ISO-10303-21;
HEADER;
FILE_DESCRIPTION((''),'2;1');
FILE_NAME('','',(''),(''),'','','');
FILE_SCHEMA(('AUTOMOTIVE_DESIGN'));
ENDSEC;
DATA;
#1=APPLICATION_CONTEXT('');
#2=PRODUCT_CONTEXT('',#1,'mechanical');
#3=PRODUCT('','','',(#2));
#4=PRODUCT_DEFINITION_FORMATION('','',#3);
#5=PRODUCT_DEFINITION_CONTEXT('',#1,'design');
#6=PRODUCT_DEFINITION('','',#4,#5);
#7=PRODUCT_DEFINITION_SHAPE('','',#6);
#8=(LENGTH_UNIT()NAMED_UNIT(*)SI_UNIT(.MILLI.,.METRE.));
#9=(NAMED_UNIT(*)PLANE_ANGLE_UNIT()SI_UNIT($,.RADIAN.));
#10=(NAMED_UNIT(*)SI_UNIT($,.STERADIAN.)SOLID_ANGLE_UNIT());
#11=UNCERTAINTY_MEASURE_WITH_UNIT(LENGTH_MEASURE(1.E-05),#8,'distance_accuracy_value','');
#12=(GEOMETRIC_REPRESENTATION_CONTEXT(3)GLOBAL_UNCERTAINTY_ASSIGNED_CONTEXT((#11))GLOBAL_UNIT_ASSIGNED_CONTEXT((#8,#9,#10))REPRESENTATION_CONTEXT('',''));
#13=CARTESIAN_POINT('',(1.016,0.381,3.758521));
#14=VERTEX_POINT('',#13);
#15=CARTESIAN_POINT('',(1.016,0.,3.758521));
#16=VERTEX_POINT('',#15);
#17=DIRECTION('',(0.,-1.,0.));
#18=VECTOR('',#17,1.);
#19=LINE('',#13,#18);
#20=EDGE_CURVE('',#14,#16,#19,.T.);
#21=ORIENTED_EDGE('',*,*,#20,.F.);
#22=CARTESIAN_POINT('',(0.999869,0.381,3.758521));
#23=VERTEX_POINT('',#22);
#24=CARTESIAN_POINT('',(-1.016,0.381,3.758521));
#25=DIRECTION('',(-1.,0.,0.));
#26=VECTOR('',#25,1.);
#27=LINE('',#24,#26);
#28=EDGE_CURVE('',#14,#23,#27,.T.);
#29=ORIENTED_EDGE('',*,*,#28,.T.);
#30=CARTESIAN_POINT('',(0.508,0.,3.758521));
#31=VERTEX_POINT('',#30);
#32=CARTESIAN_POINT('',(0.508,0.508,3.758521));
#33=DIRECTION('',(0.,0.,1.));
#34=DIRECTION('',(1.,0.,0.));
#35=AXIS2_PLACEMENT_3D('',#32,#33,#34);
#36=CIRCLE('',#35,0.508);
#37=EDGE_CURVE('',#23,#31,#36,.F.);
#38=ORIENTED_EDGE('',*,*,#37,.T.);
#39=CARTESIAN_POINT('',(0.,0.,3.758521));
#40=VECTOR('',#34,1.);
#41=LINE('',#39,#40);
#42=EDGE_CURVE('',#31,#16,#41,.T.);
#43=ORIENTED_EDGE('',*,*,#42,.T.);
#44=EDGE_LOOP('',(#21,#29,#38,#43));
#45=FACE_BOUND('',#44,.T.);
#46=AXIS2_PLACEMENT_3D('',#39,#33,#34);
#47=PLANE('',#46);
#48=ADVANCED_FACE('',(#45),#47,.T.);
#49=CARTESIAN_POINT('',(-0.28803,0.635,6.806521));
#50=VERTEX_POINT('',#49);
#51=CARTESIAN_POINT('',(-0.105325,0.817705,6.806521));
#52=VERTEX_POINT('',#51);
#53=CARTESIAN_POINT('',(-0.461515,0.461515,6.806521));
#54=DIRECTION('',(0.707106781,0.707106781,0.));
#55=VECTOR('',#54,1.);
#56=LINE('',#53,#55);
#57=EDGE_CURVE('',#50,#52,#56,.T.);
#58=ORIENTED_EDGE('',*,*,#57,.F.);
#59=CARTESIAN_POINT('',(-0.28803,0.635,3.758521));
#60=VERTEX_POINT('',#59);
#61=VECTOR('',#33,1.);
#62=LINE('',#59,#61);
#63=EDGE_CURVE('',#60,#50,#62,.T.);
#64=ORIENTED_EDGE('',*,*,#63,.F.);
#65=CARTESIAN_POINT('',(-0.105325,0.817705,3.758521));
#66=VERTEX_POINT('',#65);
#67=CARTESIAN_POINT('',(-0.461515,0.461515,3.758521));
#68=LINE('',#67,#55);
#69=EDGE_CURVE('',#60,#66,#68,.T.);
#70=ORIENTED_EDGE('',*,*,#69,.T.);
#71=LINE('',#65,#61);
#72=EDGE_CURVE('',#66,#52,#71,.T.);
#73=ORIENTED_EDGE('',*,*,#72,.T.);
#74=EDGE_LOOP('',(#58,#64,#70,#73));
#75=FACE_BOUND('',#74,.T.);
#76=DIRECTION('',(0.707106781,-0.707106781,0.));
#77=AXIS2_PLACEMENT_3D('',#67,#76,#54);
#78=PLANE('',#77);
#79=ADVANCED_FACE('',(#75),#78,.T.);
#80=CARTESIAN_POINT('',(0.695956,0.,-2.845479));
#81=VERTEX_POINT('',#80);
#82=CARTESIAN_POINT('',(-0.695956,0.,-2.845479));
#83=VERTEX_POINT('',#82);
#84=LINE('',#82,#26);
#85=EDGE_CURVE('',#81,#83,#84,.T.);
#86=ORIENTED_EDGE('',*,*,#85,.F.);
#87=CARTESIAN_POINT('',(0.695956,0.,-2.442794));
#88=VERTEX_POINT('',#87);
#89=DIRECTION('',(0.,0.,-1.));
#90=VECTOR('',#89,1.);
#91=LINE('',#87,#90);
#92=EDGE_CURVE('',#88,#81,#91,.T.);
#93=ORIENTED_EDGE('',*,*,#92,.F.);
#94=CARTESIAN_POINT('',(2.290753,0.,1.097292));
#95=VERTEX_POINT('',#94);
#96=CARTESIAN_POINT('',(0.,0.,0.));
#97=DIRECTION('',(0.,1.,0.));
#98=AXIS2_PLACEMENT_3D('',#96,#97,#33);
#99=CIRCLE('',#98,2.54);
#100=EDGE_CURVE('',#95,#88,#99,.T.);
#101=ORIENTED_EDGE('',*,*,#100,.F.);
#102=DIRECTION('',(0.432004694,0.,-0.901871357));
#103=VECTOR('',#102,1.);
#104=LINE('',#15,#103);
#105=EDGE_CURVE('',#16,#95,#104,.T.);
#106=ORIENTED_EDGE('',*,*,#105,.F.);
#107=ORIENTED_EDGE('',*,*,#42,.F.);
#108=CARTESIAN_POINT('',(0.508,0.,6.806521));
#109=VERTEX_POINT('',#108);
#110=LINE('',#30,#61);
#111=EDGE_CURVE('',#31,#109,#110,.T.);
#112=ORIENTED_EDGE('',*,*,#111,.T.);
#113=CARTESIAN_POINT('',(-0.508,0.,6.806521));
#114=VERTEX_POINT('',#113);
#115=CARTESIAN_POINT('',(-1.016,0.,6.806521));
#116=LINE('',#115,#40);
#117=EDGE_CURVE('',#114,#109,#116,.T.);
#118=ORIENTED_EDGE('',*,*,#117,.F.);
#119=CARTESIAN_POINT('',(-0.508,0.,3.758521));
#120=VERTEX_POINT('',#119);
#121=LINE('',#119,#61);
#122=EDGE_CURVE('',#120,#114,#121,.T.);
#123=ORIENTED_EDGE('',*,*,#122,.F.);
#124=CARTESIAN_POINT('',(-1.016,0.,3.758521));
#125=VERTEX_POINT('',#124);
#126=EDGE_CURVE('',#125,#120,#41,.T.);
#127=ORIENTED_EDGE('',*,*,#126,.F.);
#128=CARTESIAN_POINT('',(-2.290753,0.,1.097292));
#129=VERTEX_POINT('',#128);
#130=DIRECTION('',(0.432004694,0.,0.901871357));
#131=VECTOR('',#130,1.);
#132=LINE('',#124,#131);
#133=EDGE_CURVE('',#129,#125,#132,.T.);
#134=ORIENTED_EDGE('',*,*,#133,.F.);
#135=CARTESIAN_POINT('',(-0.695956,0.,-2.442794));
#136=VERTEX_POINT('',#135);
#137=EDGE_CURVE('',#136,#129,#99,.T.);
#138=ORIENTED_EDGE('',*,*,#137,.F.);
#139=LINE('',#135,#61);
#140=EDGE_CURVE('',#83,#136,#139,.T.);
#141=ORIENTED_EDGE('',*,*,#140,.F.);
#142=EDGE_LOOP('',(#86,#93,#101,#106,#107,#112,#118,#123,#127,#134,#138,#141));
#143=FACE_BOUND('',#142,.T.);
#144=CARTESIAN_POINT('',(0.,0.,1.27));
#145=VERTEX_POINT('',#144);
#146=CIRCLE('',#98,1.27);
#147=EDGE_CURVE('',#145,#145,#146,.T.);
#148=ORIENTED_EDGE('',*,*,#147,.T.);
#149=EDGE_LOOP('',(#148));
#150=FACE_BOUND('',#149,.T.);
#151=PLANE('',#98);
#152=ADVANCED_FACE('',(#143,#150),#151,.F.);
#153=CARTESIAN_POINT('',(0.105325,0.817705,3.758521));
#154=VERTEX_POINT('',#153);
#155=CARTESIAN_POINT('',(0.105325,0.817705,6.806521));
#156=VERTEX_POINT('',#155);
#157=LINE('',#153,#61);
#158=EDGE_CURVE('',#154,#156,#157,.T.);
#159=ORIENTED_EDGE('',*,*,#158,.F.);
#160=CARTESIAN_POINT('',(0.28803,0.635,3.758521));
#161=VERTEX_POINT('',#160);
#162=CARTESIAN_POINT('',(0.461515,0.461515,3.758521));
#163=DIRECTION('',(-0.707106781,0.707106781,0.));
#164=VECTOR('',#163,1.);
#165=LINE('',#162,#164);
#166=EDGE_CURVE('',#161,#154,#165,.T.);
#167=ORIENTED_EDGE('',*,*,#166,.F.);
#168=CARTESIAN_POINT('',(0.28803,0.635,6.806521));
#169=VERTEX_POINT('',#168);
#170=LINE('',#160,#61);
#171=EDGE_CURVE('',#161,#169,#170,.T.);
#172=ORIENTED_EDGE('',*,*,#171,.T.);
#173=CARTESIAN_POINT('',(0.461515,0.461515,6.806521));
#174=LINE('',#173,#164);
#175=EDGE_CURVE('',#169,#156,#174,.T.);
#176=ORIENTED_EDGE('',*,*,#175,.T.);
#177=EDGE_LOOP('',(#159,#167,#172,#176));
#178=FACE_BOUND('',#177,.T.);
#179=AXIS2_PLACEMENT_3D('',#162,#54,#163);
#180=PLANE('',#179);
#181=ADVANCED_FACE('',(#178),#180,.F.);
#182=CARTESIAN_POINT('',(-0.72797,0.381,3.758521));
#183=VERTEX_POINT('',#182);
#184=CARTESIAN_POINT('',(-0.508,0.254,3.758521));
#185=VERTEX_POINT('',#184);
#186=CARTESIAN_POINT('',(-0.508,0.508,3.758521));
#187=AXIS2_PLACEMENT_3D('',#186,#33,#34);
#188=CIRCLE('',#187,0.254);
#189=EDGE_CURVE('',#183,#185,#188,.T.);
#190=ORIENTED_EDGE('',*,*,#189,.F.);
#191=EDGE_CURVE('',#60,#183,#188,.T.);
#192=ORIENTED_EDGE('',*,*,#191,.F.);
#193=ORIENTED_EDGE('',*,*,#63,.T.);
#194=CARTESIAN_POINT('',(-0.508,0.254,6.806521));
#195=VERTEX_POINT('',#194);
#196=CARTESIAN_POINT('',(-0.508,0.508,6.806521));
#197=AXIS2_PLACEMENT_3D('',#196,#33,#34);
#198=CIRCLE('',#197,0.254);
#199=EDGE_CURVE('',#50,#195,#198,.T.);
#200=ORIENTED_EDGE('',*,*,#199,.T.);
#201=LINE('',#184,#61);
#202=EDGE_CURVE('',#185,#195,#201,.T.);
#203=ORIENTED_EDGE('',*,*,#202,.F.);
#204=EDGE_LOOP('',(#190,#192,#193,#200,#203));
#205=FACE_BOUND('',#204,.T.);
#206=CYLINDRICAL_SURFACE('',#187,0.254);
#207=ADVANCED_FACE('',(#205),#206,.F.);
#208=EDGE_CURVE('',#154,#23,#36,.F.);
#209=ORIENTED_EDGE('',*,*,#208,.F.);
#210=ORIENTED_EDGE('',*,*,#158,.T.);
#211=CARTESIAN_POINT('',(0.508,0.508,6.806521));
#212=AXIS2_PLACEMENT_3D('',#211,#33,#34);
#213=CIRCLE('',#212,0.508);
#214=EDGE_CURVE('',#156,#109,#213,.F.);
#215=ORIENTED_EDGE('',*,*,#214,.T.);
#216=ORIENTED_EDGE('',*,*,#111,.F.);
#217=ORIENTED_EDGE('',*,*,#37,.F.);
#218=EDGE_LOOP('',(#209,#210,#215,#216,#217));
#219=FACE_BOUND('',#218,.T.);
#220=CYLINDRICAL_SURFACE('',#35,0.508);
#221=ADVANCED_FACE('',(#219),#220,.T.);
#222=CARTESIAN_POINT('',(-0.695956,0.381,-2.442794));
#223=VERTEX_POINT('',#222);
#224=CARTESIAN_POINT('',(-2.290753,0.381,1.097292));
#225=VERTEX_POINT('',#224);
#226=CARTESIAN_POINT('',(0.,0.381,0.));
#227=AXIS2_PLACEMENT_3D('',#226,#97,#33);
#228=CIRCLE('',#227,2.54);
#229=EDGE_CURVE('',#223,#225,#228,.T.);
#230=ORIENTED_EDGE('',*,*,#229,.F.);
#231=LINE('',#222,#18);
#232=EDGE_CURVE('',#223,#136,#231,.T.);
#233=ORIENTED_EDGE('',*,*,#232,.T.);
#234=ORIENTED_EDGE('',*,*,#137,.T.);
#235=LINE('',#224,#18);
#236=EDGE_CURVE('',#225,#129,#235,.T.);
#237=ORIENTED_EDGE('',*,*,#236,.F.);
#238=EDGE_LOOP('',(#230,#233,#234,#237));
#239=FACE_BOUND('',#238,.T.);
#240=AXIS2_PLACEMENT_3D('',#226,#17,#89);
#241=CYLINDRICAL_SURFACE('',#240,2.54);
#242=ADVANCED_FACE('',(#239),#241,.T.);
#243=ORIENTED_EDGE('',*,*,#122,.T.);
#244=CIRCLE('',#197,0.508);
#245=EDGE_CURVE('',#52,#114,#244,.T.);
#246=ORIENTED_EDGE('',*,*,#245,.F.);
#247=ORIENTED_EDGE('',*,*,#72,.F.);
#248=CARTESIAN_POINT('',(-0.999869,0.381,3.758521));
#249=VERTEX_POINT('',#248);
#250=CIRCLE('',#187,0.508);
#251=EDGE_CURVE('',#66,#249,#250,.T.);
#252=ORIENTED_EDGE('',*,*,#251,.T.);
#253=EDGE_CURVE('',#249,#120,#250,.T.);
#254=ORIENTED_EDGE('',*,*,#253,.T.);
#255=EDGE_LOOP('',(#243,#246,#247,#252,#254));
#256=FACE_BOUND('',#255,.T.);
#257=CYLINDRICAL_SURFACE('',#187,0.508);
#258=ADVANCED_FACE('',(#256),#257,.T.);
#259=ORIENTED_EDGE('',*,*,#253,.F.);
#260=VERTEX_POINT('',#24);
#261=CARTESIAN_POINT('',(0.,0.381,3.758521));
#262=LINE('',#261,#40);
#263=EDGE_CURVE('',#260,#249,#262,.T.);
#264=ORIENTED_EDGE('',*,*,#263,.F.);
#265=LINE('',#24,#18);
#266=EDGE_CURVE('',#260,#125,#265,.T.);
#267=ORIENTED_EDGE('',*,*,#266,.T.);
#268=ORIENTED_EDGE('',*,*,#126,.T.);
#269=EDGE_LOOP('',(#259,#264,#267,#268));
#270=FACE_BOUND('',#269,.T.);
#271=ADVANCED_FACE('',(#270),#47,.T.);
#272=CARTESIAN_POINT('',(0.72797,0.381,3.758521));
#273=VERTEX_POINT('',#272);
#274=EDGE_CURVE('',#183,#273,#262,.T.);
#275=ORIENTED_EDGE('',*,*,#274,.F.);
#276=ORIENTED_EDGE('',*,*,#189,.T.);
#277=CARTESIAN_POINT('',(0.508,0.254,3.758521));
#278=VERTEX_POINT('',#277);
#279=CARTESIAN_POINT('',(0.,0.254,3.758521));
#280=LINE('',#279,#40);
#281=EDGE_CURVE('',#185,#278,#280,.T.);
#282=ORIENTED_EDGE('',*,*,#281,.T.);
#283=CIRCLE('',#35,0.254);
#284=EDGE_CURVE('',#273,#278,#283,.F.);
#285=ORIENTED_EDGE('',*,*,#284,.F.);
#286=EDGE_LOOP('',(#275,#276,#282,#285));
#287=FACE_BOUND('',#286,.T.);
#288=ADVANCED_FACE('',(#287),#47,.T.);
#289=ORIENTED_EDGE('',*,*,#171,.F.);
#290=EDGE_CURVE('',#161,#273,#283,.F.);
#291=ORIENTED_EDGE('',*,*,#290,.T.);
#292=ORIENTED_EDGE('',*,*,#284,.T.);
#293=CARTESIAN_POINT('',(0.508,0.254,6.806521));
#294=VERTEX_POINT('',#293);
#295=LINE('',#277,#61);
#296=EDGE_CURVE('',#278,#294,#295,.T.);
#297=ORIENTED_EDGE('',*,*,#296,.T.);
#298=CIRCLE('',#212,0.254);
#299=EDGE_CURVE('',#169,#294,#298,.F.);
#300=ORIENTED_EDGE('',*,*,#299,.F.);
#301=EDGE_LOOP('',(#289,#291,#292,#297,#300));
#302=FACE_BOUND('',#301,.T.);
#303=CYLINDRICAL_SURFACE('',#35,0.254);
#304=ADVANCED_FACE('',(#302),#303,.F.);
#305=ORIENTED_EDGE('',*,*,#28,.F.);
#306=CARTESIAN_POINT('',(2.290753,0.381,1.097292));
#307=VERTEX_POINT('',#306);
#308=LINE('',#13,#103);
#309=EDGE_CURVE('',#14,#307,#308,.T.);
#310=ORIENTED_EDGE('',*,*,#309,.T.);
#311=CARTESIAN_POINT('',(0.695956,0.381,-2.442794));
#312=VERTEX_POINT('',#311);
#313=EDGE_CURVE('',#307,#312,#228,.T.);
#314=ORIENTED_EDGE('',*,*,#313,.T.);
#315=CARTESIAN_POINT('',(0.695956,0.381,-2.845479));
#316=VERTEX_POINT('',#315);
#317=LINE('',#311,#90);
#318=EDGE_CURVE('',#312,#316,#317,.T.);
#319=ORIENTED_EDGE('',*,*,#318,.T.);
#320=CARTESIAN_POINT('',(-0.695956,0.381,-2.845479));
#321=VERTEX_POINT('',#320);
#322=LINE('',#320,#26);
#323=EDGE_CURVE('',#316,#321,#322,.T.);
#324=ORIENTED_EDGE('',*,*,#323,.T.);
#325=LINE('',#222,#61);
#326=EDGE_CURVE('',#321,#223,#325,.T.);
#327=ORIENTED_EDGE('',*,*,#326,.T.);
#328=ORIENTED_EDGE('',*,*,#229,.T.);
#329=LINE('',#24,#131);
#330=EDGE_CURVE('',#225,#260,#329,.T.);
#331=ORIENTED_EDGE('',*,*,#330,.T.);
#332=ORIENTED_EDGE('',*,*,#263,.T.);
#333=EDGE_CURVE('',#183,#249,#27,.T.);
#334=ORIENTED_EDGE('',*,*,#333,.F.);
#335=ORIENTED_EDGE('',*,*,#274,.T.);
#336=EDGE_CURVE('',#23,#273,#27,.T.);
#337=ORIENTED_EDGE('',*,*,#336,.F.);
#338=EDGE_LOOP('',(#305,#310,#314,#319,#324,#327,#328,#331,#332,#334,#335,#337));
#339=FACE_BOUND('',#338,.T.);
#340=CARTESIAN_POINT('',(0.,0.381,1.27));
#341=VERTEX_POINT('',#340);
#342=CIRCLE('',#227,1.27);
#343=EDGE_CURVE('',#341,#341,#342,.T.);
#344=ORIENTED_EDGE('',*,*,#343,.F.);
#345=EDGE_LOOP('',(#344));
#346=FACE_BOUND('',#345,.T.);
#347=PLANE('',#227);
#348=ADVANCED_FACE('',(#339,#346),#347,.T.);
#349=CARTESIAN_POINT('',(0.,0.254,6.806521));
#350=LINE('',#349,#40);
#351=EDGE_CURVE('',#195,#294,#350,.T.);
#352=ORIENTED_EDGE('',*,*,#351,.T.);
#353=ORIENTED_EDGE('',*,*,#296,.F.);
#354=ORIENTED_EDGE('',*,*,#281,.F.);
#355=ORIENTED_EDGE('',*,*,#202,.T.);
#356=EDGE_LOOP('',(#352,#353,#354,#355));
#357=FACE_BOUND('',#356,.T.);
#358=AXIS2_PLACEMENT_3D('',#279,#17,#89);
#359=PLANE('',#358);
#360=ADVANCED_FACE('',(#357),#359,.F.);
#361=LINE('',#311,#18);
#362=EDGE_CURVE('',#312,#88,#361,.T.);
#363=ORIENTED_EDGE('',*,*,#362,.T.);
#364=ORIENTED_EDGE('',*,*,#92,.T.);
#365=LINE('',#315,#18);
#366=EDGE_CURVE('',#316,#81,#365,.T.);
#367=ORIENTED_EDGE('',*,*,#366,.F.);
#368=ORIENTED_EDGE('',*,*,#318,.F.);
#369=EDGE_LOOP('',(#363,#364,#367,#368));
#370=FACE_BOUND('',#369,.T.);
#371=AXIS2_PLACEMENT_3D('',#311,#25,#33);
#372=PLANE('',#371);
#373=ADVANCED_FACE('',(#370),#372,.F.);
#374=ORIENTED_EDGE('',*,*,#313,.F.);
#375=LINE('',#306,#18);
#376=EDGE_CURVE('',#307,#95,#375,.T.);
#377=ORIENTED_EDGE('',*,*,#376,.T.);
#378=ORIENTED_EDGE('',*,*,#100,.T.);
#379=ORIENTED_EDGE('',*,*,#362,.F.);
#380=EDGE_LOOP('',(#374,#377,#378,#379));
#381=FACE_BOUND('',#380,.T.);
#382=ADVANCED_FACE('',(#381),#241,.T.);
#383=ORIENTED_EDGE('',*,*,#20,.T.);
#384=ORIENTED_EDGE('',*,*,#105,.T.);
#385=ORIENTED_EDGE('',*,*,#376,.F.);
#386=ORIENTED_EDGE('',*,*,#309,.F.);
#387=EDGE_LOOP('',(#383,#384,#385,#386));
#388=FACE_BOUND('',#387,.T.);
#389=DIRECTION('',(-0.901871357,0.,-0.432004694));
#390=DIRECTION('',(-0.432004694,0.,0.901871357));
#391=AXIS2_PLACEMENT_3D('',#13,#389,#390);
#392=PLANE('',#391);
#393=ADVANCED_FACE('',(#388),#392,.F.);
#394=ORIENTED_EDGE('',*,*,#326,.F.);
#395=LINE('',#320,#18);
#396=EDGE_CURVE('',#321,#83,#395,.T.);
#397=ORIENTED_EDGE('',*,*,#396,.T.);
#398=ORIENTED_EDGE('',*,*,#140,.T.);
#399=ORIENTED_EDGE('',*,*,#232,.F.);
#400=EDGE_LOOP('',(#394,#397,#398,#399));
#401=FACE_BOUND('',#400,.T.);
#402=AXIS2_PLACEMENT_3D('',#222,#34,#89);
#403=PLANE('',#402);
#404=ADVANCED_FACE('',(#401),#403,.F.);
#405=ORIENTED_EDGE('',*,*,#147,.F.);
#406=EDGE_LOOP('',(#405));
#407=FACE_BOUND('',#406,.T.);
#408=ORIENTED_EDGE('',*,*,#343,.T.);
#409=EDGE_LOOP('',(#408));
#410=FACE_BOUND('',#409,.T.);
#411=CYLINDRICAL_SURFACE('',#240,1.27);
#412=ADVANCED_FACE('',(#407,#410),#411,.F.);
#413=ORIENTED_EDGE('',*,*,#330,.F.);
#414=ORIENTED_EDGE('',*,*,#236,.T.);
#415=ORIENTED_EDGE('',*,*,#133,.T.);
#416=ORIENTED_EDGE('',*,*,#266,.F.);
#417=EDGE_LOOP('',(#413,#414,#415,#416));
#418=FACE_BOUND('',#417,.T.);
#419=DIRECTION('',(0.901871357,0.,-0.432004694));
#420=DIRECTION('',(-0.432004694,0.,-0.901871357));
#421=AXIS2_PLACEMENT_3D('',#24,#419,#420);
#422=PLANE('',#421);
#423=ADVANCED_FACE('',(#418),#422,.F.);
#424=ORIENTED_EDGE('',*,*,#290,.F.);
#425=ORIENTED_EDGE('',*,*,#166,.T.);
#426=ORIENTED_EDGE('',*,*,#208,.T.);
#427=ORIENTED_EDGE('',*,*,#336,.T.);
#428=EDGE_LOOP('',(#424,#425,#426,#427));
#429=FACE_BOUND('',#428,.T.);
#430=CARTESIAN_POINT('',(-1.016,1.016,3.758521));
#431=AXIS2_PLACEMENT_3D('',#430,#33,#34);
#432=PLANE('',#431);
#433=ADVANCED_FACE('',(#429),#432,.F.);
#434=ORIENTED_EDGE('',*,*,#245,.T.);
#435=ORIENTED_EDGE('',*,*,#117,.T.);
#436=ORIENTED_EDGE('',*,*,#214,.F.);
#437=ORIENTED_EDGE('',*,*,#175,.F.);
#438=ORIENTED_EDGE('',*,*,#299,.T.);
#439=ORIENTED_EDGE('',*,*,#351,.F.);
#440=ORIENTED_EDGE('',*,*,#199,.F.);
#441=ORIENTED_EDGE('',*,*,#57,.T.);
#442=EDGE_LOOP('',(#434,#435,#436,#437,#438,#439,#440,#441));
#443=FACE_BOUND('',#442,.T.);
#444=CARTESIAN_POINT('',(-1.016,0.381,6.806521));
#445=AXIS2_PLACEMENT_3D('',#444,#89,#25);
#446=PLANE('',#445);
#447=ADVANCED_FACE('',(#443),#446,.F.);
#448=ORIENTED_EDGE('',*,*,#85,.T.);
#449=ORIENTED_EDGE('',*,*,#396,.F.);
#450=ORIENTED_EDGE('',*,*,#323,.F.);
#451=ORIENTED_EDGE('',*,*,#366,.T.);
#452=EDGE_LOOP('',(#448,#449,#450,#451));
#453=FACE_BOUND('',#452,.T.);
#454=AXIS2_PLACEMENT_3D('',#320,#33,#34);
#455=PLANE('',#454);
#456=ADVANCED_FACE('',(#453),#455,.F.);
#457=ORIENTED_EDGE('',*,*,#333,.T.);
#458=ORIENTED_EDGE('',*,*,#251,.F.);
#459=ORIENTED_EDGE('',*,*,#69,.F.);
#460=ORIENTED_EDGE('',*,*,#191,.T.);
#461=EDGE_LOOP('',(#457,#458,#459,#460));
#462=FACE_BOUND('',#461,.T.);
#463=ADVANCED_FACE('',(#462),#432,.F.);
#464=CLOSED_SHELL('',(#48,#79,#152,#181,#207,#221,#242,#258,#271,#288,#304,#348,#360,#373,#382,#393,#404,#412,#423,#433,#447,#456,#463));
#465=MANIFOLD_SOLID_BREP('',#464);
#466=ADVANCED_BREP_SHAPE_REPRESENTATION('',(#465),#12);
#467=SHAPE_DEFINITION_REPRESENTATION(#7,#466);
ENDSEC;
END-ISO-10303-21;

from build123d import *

# Parameters (mm, degrees)
SKETCH1_R           = 1.27
BOSS_EXTRUDE1_DEPTH = 0.381
SKETCH2_W           = 2.032
SKETCH2_H           = 3.048
BOSS_EXTRUDE2_DEPTH = 0.635
CUT_EXTRUDE1_START  = -3.048
CUT_EXTRUDE1_DEPTH  = 3.048


with BuildPart() as part:
    # Sketch1 → Boss-Extrude1 (new body)
    with BuildSketch(Plane(origin=(0, 0, 0), x_dir=(1, 0, 0), z_dir=(0, 1, 0))):
        with BuildLine():
            Line((-0.695956456, 2.442794427), (-0.695956456, 2.845479033))
            Line((-0.695956456, 2.845479033), (0.695956456, 2.845479033))
            Line((0.695956456, 2.845479033), (0.695956456, 2.442794427))
            ThreePointArc((0.695956456, 2.442794427), (2.315850071, 1.043282535), (2.290753246, -1.097291924))
            Line((2.290753246, -1.097291924), (1.016, -3.758520967))
            Line((1.016, -3.758520967), (1.016, -6.806520967))
            Line((1.016, -6.806520967), (-1.016, -6.806520967))
            Line((-1.016, -6.806520967), (-1.016, -3.758520967))
            Line((-1.016, -3.758520967), (-2.290753246, -1.097291924))
            ThreePointArc((-2.290753246, -1.097291924), (-2.315850071, 1.043282535), (-0.695956456, 2.442794427))
        make_face()
        Circle(SKETCH1_R, mode=Mode.SUBTRACT)
    extrude(amount=BOSS_EXTRUDE1_DEPTH)

    # Sketch2 → Boss-Extrude2 (add)
    with BuildSketch(Plane(origin=(0, 0.381, 0), x_dir=(1, 0, 0), z_dir=(0, 1, 0))):
        with Locations((0, -5.282520967)):
            Rectangle(SKETCH2_W, SKETCH2_H)
    extrude(amount=BOSS_EXTRUDE2_DEPTH)

    # Sketch3 → Cut-Extrude1 (cut)
    with BuildSketch(Plane.XY.offset(6.806520967).offset(CUT_EXTRUDE1_START)):
        with BuildLine():
            ThreePointArc((1.016, 0.508), (0.867210245, 0.148789755), (0.508, 0))
            Line((0.508, 0), (1.016, 0))
            Line((1.016, 0), (1.016, 0.508))
        make_face()
        with BuildLine():
            ThreePointArc((-0.508, 0), (-0.867210245, 0.148789755), (-1.016, 0.508))
            Line((-1.016, 0.508), (-1.016, 0))
            Line((-1.016, 0), (-0.508, 0))
        make_face()
        with BuildLine():
            ThreePointArc((-1.016, 0.508), (-0.867210245, 0.867210245), (-0.508, 1.016))
            Line((-0.508, 1.016), (-1.016, 1.016))
            Line((-1.016, 1.016), (-1.016, 0.508))
        make_face()
        with BuildLine():
            ThreePointArc((0.105325044, 0.817704504), (0.283573941, 0.963737802), (0.508, 1.016))
            Line((0.508, 1.016), (-0.508, 1.016))
            ThreePointArc((-0.508, 1.016), (-0.283573941, 0.963737802), (-0.105325044, 0.817704504))
            Line((-0.105325044, 0.817704504), (-0.288029547, 0.635))
            ThreePointArc((-0.288029547, 0.635), (-0.727970453, 0.635), (-0.508, 0.254))
            Line((-0.508, 0.254), (0.508, 0.254))
            ThreePointArc((0.508, 0.254), (0.727970453, 0.635), (0.288029547, 0.635))
            Line((0.288029547, 0.635), (0.105325044, 0.817704504))
        make_face()
        with BuildLine():
            ThreePointArc((0.508, 1.016), (0.867210245, 0.867210245), (1.016, 0.508))
            Line((1.016, 0.508), (1.016, 1.016))
            Line((1.016, 1.016), (0.508, 1.016))
        make_face()
    extrude(amount=CUT_EXTRUDE1_DEPTH, mode=Mode.SUBTRACT)


solid = part.part
